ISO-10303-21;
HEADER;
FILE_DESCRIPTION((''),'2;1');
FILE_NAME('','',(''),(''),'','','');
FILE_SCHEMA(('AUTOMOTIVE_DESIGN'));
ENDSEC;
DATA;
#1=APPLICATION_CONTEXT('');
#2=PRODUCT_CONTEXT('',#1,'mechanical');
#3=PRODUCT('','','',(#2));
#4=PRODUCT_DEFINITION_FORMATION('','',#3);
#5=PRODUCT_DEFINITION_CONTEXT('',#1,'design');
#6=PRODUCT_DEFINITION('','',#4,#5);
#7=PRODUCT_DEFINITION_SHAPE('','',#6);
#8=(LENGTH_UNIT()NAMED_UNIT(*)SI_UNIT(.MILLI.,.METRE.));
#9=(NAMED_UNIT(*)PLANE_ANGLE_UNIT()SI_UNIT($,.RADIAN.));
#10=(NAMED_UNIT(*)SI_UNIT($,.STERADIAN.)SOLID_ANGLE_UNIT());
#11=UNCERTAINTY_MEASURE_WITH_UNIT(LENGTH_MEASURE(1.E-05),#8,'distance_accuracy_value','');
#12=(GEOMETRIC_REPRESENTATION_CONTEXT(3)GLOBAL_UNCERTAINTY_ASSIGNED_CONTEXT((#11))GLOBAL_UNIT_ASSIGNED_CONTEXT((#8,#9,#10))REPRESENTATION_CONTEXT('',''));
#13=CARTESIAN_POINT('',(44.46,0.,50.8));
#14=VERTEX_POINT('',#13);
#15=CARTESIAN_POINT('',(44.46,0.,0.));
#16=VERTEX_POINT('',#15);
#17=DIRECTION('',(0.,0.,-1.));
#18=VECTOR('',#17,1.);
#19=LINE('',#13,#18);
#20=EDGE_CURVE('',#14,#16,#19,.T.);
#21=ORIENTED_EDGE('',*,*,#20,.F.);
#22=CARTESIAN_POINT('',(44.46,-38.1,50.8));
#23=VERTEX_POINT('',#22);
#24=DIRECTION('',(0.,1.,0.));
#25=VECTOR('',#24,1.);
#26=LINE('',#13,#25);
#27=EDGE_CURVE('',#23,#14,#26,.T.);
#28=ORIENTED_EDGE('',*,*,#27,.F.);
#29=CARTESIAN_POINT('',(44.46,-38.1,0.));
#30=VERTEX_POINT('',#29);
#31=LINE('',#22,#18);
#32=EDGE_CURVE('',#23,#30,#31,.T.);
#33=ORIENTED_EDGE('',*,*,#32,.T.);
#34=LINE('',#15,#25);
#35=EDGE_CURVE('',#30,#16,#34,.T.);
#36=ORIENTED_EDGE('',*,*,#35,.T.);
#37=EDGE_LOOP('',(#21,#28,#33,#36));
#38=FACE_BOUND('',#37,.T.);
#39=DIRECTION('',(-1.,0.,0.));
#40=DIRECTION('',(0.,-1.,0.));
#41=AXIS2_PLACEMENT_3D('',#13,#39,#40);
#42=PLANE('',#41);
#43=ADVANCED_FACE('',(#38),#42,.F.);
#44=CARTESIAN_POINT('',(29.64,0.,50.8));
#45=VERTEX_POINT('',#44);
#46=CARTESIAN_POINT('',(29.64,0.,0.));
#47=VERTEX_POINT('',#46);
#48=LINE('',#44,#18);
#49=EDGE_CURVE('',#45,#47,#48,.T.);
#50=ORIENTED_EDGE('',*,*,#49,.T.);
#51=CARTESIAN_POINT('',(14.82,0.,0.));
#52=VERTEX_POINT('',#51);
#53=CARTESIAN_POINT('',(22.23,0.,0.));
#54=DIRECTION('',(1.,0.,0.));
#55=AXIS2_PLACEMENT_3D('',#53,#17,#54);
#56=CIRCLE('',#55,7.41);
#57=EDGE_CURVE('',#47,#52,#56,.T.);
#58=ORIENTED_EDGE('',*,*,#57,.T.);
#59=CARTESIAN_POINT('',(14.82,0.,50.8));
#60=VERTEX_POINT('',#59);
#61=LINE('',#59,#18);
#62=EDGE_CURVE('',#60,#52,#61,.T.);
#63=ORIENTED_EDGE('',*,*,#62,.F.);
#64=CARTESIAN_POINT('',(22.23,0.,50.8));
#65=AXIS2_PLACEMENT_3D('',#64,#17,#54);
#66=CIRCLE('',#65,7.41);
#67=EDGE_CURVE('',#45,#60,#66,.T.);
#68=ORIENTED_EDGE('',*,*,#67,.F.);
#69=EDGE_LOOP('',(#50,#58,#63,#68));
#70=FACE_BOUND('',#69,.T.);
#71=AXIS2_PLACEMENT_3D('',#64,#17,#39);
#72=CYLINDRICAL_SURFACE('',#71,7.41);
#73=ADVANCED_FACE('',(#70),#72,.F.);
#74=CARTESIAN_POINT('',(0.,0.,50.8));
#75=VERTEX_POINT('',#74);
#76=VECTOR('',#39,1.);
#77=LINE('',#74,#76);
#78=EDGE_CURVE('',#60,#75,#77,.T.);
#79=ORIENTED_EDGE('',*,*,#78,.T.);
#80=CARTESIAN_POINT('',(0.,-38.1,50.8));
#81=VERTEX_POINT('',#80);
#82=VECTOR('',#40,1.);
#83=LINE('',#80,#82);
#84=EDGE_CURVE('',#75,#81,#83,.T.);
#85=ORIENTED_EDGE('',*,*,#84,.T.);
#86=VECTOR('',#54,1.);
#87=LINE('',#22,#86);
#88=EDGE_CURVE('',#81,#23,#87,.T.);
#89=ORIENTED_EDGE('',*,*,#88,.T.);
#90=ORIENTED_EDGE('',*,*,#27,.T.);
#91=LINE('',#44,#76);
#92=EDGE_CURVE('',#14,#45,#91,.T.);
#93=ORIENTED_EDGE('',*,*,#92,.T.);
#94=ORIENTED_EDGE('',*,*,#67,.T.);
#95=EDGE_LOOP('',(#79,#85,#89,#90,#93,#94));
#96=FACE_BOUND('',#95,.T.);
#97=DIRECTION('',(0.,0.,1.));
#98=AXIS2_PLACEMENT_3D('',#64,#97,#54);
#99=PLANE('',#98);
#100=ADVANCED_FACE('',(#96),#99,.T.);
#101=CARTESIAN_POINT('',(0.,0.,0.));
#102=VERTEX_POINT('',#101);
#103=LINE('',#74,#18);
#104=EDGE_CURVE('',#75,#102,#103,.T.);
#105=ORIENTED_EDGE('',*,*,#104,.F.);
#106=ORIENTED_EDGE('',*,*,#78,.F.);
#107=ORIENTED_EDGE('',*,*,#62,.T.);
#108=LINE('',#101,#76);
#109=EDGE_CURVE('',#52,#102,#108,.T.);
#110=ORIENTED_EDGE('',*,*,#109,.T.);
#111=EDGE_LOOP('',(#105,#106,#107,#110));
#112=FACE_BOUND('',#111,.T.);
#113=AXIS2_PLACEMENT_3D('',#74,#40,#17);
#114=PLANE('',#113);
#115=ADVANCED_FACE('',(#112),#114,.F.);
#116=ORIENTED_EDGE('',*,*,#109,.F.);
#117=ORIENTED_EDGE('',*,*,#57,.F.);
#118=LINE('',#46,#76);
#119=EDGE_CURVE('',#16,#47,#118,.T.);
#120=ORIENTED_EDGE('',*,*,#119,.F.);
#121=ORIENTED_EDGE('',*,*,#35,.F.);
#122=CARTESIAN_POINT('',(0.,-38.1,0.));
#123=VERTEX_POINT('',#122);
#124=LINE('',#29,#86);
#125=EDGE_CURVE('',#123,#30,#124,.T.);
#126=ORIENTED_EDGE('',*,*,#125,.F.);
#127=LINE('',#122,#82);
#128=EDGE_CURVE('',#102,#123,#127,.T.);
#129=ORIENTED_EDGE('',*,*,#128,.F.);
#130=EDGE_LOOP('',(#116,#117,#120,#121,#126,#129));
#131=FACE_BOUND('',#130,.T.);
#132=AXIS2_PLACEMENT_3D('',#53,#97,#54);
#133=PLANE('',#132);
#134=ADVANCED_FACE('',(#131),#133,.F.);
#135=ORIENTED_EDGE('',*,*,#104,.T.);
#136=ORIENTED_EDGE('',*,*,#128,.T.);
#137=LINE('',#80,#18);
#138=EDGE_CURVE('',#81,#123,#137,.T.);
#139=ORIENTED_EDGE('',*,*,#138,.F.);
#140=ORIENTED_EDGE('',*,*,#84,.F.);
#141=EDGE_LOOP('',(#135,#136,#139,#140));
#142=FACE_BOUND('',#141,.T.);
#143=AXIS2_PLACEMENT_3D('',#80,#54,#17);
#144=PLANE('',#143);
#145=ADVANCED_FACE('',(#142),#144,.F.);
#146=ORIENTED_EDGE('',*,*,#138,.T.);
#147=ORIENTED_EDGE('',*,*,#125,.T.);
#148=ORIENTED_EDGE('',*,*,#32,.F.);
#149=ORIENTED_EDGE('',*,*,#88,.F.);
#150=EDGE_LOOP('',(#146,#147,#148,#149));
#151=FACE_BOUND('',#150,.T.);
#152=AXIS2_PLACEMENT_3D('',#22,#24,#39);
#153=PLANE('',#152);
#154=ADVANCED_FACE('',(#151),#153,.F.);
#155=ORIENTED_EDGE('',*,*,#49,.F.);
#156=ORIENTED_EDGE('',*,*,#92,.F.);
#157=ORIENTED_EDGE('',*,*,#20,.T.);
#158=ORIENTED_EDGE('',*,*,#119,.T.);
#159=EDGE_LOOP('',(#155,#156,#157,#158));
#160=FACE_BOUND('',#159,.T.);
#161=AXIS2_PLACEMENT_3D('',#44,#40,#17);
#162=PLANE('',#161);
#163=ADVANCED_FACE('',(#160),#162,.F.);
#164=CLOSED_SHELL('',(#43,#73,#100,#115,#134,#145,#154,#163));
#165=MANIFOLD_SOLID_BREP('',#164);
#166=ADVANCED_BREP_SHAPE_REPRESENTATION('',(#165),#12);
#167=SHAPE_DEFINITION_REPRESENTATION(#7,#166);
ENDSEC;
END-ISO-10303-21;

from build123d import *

# Parameters (mm, degrees)
BOSS_EXTRUDE1_DEPTH = 50.8


with BuildPart() as part:
    # Sketch1 → Boss-Extrude1 (new body)
    with BuildSketch(Plane.XY):
        with BuildLine():
            Line((0, 0), (14.82, 0))
            ThreePointArc((14.82, 0), (22.23, -7.41), (29.64, 0))
            Line((29.64, 0), (44.46, 0))
            Line((44.46, 0), (44.46, -38.1))
            Line((44.46, -38.1), (0, -38.1))
            Line((0, -38.1), (0, 0))
        make_face()
    extrude(amount=BOSS_EXTRUDE1_DEPTH)


solid = part.part
